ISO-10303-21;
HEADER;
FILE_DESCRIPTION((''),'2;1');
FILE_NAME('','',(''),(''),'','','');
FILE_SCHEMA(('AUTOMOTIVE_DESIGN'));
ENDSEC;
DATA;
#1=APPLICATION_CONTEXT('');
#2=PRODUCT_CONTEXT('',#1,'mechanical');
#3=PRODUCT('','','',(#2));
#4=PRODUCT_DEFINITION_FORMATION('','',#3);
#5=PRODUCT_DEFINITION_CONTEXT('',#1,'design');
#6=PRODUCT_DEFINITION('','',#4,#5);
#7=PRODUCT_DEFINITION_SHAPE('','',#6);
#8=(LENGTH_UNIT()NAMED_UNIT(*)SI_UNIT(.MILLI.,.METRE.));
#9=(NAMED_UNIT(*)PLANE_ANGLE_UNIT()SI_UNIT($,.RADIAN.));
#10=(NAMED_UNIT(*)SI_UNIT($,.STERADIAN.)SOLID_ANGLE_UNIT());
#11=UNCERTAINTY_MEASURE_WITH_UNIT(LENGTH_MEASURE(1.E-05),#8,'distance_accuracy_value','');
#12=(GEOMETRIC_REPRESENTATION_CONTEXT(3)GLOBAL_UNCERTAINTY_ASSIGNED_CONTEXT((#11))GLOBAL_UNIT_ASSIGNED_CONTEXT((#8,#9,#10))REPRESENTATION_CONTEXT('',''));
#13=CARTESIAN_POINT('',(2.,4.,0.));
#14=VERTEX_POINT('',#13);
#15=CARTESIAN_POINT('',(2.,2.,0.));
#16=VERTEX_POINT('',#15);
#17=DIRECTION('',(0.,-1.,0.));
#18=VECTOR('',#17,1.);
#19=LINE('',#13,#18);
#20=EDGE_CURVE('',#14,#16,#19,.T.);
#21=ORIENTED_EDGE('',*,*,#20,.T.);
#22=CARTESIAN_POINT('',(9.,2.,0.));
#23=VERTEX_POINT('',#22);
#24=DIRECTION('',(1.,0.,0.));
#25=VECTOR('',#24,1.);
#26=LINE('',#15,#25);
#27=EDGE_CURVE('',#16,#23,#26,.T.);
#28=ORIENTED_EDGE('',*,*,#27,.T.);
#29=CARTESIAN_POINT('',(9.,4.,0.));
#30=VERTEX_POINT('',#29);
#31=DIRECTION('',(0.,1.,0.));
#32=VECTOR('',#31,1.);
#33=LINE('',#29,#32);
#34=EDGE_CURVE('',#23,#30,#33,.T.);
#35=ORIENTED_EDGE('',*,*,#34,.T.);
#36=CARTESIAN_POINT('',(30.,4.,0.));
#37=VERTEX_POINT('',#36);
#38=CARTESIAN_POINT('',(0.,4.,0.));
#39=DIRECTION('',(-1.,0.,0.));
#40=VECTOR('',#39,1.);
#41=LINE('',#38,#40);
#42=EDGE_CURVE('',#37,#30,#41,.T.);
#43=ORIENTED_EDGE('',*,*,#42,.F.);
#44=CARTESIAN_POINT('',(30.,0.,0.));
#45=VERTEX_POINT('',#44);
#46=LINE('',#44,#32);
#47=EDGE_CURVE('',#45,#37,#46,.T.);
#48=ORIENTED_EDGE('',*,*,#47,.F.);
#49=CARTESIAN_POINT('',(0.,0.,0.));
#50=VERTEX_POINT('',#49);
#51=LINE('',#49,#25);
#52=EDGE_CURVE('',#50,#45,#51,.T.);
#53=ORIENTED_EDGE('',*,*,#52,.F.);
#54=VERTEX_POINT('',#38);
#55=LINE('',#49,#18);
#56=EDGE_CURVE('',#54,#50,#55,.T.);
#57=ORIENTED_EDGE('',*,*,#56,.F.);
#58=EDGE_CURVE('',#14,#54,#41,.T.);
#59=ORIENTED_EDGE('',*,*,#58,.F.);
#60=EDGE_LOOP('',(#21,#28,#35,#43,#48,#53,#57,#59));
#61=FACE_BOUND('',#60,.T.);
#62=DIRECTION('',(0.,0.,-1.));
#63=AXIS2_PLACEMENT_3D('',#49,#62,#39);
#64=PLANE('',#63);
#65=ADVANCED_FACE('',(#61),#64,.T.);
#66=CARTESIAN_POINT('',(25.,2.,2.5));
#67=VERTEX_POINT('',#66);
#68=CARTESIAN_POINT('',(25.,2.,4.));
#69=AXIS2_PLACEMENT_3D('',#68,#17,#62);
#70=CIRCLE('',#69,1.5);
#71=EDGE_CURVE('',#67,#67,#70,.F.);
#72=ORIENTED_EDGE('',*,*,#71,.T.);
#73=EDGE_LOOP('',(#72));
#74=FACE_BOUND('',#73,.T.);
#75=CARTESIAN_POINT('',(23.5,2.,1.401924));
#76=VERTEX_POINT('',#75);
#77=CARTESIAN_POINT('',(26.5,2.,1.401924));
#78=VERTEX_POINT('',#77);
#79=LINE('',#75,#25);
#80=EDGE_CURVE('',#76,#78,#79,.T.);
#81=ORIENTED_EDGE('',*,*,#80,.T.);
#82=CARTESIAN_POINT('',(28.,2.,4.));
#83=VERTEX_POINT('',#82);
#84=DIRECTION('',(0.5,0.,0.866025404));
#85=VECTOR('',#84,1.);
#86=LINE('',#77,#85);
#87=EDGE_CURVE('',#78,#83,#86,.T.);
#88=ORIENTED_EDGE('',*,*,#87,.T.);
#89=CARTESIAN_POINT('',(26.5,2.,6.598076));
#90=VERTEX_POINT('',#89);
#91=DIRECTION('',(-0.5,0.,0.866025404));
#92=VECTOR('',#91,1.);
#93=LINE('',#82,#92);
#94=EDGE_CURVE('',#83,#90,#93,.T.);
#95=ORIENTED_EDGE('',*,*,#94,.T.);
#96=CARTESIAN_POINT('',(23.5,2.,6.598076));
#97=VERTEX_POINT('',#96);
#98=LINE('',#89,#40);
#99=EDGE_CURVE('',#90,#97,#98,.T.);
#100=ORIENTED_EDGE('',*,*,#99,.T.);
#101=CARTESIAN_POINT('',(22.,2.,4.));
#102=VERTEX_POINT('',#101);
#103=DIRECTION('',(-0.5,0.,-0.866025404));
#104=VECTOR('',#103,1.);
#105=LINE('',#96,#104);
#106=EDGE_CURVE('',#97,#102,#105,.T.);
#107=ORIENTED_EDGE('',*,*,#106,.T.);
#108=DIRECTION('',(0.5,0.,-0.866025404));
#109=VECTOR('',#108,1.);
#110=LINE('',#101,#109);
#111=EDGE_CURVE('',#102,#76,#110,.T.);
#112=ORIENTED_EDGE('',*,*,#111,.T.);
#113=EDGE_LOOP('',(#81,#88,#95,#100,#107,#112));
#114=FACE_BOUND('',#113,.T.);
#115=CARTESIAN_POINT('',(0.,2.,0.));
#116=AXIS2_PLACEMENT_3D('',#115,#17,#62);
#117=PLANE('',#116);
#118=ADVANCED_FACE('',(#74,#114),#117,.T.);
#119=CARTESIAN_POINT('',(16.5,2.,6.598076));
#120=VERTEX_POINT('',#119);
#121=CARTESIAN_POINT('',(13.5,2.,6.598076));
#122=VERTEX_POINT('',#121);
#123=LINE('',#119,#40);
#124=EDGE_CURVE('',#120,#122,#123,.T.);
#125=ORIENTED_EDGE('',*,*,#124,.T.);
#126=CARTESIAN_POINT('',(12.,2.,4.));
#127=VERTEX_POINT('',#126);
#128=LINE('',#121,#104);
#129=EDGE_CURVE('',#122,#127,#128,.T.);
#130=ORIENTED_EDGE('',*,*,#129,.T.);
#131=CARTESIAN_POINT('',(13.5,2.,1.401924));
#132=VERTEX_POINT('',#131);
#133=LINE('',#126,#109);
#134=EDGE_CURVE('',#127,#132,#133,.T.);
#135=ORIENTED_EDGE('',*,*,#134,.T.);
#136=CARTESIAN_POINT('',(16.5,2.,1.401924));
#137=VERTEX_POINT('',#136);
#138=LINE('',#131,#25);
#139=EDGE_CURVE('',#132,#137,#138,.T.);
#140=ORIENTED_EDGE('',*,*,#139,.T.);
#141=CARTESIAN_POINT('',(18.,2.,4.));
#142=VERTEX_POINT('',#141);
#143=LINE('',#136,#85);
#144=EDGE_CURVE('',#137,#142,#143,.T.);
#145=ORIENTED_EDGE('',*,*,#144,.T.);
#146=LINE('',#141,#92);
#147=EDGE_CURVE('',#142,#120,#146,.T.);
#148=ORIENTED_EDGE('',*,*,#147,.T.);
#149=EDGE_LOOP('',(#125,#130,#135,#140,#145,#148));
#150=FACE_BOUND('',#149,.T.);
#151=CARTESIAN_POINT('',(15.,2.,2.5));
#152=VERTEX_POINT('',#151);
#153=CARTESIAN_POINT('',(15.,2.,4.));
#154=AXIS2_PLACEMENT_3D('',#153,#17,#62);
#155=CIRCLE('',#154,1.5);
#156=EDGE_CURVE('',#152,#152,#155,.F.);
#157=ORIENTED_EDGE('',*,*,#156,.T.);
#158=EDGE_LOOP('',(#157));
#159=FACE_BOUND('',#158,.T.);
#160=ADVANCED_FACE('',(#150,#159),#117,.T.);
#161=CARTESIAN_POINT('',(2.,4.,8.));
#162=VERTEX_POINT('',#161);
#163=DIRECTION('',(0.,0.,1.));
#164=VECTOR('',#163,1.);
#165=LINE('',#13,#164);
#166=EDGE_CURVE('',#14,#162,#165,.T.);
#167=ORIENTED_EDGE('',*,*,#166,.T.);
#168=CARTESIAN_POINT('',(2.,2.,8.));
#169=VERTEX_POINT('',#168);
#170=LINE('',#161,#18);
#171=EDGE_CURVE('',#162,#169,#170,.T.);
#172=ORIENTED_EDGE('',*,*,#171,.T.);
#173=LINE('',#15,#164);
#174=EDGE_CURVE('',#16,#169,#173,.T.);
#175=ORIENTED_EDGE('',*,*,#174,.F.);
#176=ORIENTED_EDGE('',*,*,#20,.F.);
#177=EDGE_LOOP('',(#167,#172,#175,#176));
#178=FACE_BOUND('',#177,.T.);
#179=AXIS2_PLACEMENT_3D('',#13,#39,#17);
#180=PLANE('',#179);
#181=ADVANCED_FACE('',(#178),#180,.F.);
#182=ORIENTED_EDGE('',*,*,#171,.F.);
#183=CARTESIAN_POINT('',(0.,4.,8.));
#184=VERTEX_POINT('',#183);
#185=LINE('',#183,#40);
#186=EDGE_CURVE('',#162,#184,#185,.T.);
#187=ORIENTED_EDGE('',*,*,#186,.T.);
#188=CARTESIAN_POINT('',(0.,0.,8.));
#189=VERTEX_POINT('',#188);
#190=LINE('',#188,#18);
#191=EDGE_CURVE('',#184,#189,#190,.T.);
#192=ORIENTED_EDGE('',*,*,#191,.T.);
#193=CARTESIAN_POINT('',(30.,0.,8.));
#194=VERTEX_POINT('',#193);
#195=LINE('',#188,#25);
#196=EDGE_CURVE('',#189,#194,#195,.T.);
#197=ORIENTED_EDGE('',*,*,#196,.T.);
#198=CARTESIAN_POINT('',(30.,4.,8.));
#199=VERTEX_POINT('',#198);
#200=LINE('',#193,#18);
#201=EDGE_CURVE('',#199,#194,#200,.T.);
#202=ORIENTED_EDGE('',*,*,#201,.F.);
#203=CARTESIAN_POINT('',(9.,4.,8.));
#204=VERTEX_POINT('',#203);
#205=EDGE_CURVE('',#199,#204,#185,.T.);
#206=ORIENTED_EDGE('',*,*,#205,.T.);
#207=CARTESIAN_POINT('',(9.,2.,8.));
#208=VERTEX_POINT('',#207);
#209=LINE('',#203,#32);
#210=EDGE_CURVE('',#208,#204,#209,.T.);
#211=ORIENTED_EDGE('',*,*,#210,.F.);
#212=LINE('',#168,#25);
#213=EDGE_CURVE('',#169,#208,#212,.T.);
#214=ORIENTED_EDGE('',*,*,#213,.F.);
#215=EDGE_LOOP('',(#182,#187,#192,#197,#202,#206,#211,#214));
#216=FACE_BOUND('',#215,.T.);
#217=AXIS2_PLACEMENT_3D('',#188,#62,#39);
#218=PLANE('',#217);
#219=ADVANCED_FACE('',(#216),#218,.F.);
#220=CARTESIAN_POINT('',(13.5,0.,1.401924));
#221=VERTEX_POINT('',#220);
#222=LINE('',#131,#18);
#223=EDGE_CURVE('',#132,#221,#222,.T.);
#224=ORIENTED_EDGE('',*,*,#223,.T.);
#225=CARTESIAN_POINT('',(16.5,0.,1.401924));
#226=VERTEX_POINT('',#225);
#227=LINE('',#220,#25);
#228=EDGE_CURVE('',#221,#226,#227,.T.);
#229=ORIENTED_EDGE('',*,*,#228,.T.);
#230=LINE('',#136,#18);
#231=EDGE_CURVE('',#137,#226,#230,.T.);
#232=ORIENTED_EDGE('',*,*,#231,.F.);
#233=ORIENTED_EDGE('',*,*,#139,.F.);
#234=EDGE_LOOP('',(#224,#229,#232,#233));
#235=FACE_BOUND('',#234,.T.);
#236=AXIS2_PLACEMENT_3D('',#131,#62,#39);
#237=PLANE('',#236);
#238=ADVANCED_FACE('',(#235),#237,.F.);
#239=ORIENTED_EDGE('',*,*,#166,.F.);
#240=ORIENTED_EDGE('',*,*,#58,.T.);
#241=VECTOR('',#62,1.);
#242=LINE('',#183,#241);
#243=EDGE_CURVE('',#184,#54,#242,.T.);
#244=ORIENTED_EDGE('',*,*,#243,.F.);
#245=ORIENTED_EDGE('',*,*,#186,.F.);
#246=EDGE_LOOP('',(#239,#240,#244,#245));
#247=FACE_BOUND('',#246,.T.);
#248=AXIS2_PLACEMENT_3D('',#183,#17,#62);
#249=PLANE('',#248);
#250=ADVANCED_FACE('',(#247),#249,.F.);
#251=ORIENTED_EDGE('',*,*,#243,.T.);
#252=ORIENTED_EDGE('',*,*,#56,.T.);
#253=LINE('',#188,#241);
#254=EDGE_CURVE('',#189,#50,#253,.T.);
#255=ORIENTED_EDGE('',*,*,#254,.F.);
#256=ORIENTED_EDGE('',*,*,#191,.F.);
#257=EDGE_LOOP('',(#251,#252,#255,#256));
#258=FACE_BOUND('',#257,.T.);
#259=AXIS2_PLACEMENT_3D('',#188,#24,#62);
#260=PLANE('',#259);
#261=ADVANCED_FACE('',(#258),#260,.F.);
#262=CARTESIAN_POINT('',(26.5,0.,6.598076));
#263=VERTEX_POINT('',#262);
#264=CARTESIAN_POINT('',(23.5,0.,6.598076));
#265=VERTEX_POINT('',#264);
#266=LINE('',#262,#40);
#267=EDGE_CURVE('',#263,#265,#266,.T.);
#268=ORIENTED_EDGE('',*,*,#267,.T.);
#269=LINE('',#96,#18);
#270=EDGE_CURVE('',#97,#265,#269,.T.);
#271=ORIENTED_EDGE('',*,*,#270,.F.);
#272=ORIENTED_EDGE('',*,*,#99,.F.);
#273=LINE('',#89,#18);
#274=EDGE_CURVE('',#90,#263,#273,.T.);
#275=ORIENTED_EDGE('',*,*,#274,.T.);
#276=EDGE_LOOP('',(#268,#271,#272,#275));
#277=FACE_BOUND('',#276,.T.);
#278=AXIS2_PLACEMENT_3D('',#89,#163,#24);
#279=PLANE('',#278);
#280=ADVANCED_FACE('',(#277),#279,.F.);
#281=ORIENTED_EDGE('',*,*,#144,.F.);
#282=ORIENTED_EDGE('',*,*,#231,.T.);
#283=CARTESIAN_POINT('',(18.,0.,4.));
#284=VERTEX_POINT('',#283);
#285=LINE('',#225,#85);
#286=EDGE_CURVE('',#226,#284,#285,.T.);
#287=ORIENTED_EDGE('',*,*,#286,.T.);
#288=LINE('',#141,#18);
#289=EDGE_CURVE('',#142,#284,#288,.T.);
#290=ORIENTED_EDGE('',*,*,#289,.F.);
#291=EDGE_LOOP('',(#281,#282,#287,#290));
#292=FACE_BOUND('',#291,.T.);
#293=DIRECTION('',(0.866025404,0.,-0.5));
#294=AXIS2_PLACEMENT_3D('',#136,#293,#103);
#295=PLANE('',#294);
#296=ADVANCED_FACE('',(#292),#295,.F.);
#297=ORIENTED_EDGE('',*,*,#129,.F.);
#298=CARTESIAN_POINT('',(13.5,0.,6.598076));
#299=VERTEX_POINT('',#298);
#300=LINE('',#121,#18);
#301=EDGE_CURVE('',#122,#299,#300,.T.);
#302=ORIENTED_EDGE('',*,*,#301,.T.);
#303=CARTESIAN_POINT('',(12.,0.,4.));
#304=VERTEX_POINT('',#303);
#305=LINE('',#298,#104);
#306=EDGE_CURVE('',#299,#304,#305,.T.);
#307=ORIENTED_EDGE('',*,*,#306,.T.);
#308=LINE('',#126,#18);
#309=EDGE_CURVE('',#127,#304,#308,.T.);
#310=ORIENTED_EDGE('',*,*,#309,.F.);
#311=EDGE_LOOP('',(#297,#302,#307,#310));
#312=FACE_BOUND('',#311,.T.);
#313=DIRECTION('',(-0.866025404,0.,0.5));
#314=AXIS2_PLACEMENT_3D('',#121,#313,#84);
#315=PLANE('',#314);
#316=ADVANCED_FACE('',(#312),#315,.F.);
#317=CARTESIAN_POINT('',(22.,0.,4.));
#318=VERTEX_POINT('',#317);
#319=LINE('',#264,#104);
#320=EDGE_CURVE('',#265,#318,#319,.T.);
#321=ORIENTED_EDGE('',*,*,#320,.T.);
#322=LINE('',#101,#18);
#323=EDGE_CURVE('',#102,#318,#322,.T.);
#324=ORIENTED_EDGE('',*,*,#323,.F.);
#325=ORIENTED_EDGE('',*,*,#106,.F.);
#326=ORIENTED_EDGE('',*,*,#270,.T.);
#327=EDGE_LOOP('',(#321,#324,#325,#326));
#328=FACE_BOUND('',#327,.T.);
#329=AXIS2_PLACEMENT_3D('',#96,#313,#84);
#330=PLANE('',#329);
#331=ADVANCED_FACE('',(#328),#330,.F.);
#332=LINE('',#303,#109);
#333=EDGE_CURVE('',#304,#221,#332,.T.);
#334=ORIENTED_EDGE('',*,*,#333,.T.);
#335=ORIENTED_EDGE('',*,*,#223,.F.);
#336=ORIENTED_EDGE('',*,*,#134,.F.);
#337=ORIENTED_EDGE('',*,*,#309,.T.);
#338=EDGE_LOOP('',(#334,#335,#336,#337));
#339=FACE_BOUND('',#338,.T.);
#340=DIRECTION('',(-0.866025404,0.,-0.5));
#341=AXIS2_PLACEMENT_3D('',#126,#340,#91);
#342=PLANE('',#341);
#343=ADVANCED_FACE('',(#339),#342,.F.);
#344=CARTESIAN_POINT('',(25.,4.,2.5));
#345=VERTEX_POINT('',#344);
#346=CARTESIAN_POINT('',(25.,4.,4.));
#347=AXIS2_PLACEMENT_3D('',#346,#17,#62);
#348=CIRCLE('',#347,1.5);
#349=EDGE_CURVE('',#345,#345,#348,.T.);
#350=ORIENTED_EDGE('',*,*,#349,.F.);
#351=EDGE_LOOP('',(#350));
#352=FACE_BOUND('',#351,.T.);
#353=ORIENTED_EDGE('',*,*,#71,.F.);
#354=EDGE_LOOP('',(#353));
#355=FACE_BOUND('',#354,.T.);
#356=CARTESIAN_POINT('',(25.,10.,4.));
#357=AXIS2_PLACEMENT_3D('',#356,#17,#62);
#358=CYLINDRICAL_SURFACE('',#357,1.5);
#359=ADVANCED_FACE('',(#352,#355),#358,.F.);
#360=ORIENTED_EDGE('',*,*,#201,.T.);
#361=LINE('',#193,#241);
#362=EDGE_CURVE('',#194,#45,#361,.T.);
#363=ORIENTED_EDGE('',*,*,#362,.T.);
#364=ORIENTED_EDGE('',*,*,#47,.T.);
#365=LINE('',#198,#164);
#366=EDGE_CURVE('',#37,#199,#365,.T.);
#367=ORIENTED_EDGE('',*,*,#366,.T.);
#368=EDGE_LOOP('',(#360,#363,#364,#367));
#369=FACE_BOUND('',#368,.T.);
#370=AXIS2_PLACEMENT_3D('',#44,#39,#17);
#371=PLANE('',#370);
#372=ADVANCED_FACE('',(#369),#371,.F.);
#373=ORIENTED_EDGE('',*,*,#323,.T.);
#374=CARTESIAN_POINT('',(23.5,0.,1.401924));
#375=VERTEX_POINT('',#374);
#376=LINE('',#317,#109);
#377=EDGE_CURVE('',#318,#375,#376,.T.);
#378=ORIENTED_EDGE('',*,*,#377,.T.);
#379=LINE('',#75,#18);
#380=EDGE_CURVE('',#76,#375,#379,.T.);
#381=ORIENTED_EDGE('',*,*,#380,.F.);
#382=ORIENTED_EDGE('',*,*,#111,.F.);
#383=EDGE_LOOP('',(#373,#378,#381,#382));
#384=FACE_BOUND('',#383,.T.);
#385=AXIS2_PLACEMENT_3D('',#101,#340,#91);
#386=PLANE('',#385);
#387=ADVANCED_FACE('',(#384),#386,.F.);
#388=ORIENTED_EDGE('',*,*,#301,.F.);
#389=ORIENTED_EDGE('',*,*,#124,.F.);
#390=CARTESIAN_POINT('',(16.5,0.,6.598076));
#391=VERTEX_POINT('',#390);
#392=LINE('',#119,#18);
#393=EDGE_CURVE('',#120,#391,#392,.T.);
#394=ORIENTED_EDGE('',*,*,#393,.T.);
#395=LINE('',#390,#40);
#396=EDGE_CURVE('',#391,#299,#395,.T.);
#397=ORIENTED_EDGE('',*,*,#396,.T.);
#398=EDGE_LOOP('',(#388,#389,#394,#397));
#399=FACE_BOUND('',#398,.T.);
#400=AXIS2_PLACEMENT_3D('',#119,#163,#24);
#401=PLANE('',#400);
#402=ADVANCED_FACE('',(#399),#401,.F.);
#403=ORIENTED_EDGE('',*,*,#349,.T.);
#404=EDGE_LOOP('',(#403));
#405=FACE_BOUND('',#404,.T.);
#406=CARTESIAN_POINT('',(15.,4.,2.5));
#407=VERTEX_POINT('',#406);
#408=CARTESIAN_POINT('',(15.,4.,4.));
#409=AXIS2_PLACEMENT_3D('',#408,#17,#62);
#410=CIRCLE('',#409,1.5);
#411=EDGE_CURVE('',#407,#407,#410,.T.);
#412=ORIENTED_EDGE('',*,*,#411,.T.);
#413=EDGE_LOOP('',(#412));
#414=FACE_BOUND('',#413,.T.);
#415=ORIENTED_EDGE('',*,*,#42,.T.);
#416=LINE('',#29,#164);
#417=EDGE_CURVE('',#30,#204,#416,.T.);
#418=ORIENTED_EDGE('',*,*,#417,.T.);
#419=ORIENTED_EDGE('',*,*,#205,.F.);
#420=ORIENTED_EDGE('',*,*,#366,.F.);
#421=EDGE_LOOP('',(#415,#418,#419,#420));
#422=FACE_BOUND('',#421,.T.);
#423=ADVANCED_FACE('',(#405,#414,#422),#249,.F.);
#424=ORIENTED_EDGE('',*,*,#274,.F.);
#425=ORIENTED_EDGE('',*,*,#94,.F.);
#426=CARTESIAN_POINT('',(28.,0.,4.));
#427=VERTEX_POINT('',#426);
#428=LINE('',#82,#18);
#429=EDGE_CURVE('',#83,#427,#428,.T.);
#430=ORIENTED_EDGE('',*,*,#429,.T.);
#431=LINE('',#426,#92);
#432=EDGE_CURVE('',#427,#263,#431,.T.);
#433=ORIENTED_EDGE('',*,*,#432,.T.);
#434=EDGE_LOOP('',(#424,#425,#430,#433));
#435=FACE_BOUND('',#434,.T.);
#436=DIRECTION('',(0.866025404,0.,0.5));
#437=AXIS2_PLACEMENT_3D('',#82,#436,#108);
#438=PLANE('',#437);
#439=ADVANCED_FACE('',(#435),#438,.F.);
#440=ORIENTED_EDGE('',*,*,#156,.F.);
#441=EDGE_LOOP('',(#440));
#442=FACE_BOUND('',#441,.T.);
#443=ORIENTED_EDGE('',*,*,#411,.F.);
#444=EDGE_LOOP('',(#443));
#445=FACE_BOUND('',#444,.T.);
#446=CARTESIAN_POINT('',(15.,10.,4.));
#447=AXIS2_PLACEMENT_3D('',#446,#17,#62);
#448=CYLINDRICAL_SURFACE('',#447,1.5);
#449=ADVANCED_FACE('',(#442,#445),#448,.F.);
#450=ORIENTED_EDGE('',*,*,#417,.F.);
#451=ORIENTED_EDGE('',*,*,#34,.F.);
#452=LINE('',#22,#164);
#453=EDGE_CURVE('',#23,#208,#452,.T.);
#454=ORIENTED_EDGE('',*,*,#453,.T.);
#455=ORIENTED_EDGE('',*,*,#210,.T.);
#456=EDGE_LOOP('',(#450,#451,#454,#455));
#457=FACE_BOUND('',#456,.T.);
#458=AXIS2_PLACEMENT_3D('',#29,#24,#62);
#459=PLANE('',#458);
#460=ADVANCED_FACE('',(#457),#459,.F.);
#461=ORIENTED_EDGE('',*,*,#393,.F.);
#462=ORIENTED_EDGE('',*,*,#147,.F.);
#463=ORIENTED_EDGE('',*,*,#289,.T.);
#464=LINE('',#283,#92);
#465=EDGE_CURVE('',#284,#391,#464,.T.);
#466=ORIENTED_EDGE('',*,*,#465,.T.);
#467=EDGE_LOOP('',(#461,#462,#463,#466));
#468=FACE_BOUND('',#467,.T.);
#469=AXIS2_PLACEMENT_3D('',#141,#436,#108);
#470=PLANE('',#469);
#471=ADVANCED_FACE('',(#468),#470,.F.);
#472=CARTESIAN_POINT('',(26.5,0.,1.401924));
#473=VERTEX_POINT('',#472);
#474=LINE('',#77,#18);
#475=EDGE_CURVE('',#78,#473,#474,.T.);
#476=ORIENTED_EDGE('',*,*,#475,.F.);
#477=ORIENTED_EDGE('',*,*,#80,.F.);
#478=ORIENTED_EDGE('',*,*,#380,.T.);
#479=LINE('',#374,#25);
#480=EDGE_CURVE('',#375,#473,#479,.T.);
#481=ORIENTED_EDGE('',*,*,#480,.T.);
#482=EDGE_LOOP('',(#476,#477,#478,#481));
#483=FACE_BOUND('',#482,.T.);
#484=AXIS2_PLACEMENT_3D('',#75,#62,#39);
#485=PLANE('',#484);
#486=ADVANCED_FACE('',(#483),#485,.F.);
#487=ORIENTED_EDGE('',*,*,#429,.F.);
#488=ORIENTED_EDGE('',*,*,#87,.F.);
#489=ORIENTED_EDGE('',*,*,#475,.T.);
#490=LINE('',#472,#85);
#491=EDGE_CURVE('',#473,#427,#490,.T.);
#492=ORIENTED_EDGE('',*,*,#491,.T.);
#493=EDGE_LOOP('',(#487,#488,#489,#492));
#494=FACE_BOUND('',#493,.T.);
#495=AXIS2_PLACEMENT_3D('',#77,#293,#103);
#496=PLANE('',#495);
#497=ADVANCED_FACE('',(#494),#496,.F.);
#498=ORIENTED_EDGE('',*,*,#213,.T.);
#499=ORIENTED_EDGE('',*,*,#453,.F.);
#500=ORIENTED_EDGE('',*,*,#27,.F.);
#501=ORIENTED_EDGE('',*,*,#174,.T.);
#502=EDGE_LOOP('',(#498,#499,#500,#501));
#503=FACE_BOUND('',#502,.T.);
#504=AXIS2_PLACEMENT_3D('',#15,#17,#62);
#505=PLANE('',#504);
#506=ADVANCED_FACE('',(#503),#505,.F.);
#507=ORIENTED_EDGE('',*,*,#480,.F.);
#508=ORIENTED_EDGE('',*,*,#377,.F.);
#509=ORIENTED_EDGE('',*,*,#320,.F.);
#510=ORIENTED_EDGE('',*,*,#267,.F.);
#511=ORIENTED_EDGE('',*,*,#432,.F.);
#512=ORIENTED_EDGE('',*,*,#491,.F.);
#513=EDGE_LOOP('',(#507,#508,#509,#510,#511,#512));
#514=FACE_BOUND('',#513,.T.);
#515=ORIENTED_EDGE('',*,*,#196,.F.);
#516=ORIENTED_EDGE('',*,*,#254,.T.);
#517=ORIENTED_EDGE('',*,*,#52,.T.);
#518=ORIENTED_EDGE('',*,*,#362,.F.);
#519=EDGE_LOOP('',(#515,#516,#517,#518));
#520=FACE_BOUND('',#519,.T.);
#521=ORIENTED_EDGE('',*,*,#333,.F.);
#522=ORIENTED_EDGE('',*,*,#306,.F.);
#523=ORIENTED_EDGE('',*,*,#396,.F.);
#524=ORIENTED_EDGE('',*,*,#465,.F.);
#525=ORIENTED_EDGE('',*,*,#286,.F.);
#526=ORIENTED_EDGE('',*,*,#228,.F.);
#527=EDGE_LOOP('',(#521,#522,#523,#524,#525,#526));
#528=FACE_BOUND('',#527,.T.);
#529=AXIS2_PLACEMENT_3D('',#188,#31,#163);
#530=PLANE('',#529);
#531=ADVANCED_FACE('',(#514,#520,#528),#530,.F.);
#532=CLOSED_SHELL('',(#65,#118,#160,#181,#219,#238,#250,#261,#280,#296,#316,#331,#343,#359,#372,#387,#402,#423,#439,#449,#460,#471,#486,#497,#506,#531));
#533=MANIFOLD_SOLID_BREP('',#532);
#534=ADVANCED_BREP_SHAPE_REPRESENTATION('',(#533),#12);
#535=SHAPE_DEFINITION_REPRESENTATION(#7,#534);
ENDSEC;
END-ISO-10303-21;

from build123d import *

# Parameters (mm, degrees)
SKETCH1_W           = 20
SKETCH1_H           = 4
BOSS_EXTRUDE1_DEPTH = 8
SKETCH2_W           = 7
SKETCH2_H           = 2
CUT_EXTRUDE1_DEPTH  = 8
SKETCH3_W           = 8
SKETCH3_H           = 4
BOSS_EXTRUDE2_DEPTH = 10
SKETCH4_R           = 1.5
CUT_EXTRUDE2_DEPTH  = 10
CUT_EXTRUDE3_DEPTH  = 2


with BuildPart() as part:
    # Sketch1 → Boss-Extrude1 (new body)
    with BuildSketch(Plane.XY):
        with Locations((10, 2)):
            Rectangle(SKETCH1_W, SKETCH1_H)
    extrude(amount=BOSS_EXTRUDE1_DEPTH)

    # Sketch2 → Cut-Extrude1 (cut)
    with BuildSketch(Plane.XY.offset(8)):
        with Locations((5.5, 3)):
            Rectangle(SKETCH2_W, SKETCH2_H)
    extrude(amount=-CUT_EXTRUDE1_DEPTH, mode=Mode.SUBTRACT)

    # Sketch3 → Boss-Extrude2 (add)
    with BuildSketch(Plane(origin=(20, 0, 0), x_dir=(0, 0, -1), z_dir=(1, 0, 0))):
        with Locations((-4, 2)):
            Rectangle(SKETCH3_W, SKETCH3_H)
    extrude(amount=BOSS_EXTRUDE2_DEPTH)

    # Sketch4 → Cut-Extrude2 (cut)
    with BuildSketch(Plane.XZ):
        with Locations(Location((25, 4, 0), (0, 0, 270))):
            Circle(SKETCH4_R)
        with Locations(Location((15, 4, 0), (0, 0, 270))):
            Circle(SKETCH4_R)
    extrude(amount=-CUT_EXTRUDE2_DEPTH, mode=Mode.SUBTRACT)

    # Sketch5 → Cut-Extrude3 (cut)
    with BuildSketch(Plane.XZ):
        Polygon((22, 4), (23.5, 1.401923789), (26.5, 1.401923789), (28, 4), (26.5, 6.598076211), (23.5, 6.598076211), align=None)
        Polygon((12, 4), (13.5, 1.401923789), (16.5, 1.401923789), (18, 4), (16.5, 6.598076211), (13.5, 6.598076211), align=None)
    extrude(amount=-CUT_EXTRUDE3_DEPTH, mode=Mode.SUBTRACT)


solid = part.part
